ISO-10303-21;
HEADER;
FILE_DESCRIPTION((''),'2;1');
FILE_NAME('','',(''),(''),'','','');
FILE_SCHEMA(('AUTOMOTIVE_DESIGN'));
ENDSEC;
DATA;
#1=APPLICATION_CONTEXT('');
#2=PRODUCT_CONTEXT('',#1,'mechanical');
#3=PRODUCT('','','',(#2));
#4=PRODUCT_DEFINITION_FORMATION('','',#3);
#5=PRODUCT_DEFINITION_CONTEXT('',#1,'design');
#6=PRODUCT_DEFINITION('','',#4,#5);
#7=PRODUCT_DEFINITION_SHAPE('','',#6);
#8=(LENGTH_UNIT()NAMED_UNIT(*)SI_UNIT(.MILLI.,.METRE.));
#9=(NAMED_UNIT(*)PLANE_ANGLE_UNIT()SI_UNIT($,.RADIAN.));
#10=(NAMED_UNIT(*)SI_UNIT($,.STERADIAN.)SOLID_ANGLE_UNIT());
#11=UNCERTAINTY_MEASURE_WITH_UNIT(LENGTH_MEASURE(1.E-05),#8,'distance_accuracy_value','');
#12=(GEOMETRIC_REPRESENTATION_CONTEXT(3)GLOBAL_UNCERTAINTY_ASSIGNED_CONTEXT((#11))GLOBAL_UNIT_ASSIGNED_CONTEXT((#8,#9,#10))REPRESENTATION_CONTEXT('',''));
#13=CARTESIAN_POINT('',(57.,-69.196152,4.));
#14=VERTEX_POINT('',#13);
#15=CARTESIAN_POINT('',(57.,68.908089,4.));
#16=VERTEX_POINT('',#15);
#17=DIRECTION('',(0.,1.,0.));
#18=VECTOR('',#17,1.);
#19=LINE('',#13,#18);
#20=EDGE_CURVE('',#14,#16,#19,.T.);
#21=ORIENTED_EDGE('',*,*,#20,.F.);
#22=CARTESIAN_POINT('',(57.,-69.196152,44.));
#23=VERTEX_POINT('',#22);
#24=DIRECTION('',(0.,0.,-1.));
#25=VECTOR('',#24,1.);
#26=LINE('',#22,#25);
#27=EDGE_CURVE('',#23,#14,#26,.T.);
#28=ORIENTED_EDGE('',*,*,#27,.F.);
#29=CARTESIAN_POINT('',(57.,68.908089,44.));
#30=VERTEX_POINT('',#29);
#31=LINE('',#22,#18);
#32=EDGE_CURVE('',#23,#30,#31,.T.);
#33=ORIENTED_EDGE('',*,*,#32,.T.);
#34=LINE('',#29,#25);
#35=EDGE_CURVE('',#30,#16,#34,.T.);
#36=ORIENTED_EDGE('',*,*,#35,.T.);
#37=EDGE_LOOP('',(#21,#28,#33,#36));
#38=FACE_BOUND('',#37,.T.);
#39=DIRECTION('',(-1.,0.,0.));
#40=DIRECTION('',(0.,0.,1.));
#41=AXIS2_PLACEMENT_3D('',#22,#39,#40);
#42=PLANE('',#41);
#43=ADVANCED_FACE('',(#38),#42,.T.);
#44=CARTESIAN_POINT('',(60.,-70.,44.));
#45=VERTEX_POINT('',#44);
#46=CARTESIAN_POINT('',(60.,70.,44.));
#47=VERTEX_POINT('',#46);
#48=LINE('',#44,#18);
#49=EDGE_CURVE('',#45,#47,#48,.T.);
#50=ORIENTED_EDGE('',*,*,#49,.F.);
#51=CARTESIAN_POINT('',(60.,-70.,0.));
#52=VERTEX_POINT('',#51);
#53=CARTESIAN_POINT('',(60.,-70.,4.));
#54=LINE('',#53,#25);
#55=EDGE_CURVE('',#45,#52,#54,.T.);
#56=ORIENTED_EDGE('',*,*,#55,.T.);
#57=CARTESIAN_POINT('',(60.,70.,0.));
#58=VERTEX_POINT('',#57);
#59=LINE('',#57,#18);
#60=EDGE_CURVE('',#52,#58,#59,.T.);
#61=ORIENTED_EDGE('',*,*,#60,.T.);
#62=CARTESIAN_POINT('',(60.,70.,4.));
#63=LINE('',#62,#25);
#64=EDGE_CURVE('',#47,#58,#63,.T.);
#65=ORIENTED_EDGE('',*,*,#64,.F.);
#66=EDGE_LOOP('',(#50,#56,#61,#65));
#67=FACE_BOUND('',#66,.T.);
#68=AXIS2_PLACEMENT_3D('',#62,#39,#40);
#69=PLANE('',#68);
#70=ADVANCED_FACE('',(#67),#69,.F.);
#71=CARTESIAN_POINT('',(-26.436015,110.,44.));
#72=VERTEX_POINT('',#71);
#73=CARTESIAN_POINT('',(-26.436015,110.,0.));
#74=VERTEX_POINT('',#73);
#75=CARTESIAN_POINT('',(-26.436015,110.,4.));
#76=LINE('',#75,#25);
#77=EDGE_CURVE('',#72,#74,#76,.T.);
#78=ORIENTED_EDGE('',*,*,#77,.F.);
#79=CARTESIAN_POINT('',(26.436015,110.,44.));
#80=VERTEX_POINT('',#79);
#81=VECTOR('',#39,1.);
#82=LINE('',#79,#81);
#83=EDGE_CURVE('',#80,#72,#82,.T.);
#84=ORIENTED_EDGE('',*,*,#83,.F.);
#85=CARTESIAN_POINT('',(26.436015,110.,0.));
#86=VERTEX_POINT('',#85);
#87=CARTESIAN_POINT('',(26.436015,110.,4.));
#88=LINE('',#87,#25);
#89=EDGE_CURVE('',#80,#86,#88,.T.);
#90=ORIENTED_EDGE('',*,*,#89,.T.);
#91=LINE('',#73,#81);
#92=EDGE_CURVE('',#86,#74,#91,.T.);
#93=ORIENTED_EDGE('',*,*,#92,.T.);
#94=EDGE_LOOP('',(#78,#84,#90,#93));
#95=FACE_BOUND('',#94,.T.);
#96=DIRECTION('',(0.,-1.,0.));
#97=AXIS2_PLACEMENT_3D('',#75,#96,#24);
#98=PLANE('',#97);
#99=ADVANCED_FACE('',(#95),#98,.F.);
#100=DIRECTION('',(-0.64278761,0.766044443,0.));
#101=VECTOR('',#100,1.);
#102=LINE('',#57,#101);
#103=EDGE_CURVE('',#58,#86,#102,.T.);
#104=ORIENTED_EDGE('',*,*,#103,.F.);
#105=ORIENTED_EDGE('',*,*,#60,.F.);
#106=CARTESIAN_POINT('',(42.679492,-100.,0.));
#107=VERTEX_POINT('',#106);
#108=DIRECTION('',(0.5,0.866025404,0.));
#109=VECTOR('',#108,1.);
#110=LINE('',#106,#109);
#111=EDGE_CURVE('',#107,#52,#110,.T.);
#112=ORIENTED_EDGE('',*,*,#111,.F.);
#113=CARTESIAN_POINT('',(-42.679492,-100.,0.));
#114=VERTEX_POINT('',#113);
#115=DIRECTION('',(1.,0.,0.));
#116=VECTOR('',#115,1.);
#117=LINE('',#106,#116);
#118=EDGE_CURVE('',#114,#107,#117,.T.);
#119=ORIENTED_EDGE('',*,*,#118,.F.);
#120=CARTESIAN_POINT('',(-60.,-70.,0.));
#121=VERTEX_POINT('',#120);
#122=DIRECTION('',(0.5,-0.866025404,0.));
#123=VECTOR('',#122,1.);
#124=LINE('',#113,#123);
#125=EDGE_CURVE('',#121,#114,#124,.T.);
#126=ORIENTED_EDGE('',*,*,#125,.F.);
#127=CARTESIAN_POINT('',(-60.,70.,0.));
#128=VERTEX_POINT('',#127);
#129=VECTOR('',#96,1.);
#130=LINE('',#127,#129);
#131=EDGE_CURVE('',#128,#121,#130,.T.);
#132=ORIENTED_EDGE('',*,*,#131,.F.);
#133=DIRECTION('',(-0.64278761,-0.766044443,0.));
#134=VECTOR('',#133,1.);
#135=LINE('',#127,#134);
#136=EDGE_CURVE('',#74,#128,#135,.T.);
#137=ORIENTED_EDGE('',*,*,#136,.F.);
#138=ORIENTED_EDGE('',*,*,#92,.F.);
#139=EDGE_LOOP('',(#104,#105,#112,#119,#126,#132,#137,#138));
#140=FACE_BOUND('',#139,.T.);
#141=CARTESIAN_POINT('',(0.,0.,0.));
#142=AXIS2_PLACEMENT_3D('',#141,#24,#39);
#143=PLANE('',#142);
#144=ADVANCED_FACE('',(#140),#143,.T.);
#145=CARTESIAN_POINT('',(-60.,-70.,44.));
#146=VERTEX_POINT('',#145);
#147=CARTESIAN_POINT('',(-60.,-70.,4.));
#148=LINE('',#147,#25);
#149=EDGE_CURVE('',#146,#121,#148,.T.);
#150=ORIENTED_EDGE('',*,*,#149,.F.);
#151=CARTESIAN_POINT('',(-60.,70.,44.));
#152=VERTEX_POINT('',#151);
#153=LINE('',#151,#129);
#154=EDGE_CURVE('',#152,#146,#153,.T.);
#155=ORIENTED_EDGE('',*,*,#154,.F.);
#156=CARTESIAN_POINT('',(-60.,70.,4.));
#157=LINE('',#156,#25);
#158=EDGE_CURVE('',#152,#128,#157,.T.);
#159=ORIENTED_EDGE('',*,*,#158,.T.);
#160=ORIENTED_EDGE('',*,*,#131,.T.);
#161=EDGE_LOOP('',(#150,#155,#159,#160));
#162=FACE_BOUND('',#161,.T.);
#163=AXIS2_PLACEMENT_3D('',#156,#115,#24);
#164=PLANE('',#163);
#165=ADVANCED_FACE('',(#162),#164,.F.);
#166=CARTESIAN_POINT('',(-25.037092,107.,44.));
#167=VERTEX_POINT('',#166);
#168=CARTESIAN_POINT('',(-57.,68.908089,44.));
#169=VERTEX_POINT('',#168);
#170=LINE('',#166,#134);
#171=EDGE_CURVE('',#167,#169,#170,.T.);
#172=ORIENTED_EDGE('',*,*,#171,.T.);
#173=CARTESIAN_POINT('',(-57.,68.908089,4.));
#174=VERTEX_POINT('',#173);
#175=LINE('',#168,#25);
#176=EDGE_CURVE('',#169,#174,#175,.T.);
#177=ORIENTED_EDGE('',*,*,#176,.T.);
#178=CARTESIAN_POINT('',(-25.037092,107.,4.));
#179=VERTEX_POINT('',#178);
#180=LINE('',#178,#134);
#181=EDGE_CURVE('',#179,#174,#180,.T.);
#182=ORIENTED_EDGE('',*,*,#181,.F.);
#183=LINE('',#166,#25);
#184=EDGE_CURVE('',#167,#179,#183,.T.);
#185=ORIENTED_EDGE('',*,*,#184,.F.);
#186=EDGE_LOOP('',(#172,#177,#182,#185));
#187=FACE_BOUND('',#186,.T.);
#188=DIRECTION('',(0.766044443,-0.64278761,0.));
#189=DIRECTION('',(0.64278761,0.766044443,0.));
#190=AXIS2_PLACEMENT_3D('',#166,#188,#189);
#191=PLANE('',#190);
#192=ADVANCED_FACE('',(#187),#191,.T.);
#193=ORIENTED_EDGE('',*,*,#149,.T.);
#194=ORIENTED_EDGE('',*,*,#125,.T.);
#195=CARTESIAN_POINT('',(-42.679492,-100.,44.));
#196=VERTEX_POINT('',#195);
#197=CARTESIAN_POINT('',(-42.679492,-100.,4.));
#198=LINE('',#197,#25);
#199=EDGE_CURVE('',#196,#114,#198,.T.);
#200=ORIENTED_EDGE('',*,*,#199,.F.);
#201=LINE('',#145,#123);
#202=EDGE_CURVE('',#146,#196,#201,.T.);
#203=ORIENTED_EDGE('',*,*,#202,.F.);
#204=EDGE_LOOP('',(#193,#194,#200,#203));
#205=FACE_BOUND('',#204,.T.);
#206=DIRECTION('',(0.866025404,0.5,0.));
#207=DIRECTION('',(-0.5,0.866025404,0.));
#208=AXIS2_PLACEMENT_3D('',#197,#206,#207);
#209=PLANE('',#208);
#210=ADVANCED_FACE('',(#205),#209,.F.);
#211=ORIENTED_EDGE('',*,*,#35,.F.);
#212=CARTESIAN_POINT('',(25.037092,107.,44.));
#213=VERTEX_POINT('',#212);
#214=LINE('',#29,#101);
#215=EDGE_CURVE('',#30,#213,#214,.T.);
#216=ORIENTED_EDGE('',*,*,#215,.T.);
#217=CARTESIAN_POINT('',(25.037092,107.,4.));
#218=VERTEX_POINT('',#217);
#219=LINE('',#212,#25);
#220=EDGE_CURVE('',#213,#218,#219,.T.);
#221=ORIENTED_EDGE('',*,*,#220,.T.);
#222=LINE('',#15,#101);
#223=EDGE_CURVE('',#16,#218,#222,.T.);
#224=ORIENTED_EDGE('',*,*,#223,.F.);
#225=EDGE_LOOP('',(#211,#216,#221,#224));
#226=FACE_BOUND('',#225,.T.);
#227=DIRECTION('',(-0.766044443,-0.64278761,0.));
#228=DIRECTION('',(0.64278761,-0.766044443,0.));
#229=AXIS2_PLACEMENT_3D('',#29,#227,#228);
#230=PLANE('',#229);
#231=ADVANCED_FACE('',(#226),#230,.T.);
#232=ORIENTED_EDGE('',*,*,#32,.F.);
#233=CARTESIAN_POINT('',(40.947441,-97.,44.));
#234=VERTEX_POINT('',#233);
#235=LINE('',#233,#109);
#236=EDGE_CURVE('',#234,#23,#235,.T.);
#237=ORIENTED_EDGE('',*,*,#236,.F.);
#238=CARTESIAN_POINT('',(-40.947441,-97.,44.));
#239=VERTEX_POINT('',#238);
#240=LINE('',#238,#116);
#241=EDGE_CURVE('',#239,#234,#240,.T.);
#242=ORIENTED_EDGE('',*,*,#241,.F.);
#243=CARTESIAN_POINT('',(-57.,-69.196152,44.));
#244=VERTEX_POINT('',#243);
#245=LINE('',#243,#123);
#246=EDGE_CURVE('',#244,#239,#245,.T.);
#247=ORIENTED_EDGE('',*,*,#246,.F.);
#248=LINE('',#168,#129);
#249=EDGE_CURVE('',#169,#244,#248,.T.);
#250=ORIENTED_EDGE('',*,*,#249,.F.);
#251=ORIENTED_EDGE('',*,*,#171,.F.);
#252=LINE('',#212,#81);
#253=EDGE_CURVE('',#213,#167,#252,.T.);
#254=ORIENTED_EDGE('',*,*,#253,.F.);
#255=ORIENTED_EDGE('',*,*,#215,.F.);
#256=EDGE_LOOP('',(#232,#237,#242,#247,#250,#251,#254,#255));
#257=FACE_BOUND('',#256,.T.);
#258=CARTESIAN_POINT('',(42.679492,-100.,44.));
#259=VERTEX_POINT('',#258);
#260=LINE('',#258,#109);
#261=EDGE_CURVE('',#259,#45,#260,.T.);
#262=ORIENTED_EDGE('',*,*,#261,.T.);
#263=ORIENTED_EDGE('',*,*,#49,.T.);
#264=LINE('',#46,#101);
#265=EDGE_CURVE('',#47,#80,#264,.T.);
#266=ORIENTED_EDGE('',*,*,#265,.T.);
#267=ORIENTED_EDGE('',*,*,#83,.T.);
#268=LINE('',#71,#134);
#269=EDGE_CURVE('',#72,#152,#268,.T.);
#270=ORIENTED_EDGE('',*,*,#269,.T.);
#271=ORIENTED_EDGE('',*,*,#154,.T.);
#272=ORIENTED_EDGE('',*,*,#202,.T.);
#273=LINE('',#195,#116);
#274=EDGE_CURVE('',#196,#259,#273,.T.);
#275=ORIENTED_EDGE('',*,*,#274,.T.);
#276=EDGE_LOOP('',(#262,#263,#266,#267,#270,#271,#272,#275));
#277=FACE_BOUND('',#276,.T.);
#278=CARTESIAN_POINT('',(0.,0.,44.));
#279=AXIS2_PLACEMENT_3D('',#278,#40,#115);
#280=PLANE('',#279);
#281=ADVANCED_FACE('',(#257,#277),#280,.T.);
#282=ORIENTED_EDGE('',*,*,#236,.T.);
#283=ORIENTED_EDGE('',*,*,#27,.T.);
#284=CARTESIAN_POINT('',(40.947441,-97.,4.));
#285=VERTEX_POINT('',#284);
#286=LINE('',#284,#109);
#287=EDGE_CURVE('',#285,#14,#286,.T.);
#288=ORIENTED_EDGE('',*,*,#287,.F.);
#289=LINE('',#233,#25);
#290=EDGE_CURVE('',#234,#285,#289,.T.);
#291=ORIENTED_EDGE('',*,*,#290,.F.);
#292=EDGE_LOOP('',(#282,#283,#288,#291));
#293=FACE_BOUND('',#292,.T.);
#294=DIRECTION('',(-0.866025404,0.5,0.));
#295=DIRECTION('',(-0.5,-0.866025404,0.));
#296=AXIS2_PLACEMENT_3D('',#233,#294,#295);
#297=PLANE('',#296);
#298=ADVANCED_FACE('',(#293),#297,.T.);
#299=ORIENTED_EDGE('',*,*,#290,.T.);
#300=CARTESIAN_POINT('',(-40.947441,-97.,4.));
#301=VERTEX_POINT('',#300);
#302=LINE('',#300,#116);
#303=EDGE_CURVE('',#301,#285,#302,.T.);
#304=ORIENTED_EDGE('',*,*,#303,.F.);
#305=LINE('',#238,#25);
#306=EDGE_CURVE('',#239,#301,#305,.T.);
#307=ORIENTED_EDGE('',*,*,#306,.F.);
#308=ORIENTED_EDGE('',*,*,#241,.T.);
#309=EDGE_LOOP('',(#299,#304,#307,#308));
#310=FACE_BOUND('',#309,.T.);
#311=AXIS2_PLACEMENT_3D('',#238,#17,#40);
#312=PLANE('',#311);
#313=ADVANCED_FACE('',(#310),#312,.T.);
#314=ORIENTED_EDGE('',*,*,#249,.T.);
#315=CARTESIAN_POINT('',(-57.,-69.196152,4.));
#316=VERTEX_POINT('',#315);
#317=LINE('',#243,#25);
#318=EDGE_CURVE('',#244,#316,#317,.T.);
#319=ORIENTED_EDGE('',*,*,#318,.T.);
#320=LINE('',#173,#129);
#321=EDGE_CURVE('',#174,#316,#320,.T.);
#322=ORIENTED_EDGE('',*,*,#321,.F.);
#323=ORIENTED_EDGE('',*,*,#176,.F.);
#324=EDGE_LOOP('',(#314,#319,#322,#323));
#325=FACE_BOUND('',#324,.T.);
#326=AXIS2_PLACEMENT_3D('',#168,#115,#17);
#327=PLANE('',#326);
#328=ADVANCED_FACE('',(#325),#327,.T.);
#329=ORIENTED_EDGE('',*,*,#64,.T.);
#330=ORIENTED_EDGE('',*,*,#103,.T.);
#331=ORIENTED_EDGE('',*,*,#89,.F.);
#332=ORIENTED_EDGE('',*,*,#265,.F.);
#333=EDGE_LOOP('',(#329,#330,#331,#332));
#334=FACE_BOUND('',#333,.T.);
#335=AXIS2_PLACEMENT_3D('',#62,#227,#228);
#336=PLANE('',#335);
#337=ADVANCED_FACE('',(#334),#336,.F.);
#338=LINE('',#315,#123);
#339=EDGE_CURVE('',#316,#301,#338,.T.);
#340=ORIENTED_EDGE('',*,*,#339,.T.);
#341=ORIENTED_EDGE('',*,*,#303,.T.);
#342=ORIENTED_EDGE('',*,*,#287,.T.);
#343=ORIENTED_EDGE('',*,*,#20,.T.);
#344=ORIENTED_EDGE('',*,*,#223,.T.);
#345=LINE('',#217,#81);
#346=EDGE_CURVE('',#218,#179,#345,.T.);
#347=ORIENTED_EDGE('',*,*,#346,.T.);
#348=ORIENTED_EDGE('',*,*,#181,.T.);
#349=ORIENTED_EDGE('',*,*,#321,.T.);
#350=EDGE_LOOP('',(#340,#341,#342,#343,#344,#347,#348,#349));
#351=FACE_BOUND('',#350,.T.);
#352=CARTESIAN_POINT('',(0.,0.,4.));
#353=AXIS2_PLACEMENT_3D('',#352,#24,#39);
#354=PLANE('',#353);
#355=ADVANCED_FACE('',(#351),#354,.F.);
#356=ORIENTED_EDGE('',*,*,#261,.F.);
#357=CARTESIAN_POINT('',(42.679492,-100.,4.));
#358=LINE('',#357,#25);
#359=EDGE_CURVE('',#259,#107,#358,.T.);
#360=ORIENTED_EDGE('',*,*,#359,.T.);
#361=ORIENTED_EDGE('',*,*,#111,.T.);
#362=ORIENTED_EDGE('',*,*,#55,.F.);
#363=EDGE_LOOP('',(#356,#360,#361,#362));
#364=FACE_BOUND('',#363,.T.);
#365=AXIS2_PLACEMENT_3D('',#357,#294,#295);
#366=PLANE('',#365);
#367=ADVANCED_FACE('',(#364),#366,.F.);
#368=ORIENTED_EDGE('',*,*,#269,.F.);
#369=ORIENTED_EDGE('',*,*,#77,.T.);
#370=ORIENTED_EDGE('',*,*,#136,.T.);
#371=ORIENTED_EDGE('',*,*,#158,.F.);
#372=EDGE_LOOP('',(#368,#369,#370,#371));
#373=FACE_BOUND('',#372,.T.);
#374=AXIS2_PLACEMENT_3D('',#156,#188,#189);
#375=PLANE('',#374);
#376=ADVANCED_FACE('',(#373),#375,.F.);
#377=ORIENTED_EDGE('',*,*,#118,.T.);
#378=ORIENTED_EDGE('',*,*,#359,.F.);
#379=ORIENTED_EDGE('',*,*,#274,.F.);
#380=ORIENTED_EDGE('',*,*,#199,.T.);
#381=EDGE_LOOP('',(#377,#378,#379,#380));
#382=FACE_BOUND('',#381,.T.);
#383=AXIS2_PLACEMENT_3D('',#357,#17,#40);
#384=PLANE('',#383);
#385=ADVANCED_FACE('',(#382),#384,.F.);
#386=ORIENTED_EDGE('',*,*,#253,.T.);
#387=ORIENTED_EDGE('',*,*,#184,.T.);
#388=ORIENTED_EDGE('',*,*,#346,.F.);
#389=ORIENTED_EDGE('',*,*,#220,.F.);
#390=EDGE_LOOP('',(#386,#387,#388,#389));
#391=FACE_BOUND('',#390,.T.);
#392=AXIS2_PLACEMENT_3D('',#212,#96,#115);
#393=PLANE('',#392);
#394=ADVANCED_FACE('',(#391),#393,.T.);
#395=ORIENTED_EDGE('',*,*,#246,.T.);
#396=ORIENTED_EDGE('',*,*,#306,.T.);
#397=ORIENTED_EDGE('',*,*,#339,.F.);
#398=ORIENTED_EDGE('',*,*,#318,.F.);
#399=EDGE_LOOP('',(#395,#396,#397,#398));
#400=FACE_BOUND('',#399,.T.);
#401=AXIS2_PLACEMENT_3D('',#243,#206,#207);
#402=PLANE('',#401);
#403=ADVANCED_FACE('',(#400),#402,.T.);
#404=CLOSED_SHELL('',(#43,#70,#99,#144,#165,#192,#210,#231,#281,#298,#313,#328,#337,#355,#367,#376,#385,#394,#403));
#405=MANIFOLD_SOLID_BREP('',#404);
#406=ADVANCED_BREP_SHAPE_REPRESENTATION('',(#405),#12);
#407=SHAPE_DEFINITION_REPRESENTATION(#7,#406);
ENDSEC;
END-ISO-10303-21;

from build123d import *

# Parameters (mm, degrees)
BOSS_EXTRUDE1_DEPTH = 4
BOSS_EXTRUDE2_DEPTH = 40


with BuildPart() as part:
    # Sketch1 → Boss-Extrude1 (new body)
    with BuildSketch(Plane.XY):
        Polygon((-60, 70), (-26.436014753, 110), (26.436014753, 110), (60, 70), (60, -70), (42.679491924, -100), (-42.679491924, -100), (-60, -70), align=None)
    extrude(amount=BOSS_EXTRUDE1_DEPTH)

    # Sketch2 → Boss-Extrude2 (add)
    with BuildSketch(Plane.XY.offset(4)):
        Polygon((-26.436014753, 110), (-60, 70), (-60, -70), (-42.679491924, -100), (42.679491924, -100), (60, -70), (60, 70), (26.436014753, 110), align=None)
        Polygon((-25.037091778, 107), (-57, 68.908089297), (-57, -69.196152423), (-40.947441117, -97), (40.947441117, -97), (57, -69.196152423), (57, 68.908089297), (25.037091778, 107), align=None, mode=Mode.SUBTRACT)
    extrude(amount=BOSS_EXTRUDE2_DEPTH)


solid = part.part
